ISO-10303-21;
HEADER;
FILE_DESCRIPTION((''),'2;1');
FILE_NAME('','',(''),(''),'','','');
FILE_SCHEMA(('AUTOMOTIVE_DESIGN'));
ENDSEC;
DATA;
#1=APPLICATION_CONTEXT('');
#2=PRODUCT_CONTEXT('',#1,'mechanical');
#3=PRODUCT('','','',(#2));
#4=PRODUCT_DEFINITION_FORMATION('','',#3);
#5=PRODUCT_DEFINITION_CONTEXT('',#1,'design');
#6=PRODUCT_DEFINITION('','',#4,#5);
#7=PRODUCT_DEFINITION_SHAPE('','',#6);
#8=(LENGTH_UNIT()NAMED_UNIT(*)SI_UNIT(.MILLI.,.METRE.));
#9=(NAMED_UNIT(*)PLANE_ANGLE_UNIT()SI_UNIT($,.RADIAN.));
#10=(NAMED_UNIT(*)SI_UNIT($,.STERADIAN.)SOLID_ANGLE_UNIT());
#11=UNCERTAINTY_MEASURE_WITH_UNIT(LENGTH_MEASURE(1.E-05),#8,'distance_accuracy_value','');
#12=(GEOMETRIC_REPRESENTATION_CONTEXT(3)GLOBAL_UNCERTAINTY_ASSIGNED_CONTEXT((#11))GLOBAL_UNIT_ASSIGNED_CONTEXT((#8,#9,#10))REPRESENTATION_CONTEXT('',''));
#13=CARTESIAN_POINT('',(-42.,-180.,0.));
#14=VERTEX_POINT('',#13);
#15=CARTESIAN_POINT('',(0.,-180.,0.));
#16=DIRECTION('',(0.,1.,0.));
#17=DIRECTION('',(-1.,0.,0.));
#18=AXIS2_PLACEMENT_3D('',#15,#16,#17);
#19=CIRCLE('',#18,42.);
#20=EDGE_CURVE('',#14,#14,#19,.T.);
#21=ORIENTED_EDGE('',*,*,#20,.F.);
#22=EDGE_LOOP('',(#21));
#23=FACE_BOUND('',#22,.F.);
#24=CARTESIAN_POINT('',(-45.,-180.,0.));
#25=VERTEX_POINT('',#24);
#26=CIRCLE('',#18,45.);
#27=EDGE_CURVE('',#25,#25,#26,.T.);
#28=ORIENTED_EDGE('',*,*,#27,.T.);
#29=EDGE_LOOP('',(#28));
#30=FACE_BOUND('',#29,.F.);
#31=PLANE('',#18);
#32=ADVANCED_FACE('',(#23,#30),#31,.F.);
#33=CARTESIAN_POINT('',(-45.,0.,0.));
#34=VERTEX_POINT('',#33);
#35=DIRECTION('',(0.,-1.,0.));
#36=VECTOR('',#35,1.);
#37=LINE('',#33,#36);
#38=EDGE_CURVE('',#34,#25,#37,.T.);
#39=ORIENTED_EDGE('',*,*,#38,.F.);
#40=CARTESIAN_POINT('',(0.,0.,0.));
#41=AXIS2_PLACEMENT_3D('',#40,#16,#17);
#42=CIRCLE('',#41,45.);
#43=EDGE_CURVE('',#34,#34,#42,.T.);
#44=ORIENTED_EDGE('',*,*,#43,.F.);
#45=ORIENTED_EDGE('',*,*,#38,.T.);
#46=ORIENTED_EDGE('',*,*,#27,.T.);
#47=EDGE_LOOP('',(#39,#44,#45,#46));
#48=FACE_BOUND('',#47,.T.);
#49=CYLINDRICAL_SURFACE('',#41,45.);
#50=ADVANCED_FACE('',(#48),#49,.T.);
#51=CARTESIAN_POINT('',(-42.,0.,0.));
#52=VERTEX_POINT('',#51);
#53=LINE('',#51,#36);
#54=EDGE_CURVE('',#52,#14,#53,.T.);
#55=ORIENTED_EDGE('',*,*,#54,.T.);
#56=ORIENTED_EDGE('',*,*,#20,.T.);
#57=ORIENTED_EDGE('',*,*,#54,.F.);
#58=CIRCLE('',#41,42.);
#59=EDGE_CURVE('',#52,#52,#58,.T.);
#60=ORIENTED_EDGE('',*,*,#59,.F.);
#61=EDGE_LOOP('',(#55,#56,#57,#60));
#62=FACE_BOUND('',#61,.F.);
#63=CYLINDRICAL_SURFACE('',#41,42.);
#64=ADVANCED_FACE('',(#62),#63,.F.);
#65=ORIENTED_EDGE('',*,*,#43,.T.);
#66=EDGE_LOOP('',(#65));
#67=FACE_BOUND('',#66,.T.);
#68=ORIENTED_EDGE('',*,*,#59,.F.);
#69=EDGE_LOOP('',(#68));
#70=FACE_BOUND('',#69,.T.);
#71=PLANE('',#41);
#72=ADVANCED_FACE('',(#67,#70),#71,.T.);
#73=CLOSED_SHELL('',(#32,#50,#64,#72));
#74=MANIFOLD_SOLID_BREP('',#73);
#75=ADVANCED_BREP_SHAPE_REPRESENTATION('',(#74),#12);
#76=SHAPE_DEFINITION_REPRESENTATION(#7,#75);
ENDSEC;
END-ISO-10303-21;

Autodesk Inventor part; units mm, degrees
ref_plane "YZ Plane" through (0, 0, 0) normal (1, 0, 0) x (0, 1, 0)
ref_plane "XZ Plane" through (0, 0, 0) normal (0, 1, 0) x (-1, 0, 0)
ref_plane "XY Plane" through (0, 0, 0) normal (0, 0, 1) x (1, 0, 0)
sketch "Sketch1" plane through (0, 0, 0) normal (0, 1, 0) x (-1, 0, 0)
  circle A0 centre (0, 0) radius 45
  circle A1 centre (0, 0) radius 42
  dimension "d0" = 90
  dimension "d1" = 3
extrude "Extrusion1" add sketch "Sketch1" against normal blind 180
properties part number "PNS 1611 FDS tube 1"
